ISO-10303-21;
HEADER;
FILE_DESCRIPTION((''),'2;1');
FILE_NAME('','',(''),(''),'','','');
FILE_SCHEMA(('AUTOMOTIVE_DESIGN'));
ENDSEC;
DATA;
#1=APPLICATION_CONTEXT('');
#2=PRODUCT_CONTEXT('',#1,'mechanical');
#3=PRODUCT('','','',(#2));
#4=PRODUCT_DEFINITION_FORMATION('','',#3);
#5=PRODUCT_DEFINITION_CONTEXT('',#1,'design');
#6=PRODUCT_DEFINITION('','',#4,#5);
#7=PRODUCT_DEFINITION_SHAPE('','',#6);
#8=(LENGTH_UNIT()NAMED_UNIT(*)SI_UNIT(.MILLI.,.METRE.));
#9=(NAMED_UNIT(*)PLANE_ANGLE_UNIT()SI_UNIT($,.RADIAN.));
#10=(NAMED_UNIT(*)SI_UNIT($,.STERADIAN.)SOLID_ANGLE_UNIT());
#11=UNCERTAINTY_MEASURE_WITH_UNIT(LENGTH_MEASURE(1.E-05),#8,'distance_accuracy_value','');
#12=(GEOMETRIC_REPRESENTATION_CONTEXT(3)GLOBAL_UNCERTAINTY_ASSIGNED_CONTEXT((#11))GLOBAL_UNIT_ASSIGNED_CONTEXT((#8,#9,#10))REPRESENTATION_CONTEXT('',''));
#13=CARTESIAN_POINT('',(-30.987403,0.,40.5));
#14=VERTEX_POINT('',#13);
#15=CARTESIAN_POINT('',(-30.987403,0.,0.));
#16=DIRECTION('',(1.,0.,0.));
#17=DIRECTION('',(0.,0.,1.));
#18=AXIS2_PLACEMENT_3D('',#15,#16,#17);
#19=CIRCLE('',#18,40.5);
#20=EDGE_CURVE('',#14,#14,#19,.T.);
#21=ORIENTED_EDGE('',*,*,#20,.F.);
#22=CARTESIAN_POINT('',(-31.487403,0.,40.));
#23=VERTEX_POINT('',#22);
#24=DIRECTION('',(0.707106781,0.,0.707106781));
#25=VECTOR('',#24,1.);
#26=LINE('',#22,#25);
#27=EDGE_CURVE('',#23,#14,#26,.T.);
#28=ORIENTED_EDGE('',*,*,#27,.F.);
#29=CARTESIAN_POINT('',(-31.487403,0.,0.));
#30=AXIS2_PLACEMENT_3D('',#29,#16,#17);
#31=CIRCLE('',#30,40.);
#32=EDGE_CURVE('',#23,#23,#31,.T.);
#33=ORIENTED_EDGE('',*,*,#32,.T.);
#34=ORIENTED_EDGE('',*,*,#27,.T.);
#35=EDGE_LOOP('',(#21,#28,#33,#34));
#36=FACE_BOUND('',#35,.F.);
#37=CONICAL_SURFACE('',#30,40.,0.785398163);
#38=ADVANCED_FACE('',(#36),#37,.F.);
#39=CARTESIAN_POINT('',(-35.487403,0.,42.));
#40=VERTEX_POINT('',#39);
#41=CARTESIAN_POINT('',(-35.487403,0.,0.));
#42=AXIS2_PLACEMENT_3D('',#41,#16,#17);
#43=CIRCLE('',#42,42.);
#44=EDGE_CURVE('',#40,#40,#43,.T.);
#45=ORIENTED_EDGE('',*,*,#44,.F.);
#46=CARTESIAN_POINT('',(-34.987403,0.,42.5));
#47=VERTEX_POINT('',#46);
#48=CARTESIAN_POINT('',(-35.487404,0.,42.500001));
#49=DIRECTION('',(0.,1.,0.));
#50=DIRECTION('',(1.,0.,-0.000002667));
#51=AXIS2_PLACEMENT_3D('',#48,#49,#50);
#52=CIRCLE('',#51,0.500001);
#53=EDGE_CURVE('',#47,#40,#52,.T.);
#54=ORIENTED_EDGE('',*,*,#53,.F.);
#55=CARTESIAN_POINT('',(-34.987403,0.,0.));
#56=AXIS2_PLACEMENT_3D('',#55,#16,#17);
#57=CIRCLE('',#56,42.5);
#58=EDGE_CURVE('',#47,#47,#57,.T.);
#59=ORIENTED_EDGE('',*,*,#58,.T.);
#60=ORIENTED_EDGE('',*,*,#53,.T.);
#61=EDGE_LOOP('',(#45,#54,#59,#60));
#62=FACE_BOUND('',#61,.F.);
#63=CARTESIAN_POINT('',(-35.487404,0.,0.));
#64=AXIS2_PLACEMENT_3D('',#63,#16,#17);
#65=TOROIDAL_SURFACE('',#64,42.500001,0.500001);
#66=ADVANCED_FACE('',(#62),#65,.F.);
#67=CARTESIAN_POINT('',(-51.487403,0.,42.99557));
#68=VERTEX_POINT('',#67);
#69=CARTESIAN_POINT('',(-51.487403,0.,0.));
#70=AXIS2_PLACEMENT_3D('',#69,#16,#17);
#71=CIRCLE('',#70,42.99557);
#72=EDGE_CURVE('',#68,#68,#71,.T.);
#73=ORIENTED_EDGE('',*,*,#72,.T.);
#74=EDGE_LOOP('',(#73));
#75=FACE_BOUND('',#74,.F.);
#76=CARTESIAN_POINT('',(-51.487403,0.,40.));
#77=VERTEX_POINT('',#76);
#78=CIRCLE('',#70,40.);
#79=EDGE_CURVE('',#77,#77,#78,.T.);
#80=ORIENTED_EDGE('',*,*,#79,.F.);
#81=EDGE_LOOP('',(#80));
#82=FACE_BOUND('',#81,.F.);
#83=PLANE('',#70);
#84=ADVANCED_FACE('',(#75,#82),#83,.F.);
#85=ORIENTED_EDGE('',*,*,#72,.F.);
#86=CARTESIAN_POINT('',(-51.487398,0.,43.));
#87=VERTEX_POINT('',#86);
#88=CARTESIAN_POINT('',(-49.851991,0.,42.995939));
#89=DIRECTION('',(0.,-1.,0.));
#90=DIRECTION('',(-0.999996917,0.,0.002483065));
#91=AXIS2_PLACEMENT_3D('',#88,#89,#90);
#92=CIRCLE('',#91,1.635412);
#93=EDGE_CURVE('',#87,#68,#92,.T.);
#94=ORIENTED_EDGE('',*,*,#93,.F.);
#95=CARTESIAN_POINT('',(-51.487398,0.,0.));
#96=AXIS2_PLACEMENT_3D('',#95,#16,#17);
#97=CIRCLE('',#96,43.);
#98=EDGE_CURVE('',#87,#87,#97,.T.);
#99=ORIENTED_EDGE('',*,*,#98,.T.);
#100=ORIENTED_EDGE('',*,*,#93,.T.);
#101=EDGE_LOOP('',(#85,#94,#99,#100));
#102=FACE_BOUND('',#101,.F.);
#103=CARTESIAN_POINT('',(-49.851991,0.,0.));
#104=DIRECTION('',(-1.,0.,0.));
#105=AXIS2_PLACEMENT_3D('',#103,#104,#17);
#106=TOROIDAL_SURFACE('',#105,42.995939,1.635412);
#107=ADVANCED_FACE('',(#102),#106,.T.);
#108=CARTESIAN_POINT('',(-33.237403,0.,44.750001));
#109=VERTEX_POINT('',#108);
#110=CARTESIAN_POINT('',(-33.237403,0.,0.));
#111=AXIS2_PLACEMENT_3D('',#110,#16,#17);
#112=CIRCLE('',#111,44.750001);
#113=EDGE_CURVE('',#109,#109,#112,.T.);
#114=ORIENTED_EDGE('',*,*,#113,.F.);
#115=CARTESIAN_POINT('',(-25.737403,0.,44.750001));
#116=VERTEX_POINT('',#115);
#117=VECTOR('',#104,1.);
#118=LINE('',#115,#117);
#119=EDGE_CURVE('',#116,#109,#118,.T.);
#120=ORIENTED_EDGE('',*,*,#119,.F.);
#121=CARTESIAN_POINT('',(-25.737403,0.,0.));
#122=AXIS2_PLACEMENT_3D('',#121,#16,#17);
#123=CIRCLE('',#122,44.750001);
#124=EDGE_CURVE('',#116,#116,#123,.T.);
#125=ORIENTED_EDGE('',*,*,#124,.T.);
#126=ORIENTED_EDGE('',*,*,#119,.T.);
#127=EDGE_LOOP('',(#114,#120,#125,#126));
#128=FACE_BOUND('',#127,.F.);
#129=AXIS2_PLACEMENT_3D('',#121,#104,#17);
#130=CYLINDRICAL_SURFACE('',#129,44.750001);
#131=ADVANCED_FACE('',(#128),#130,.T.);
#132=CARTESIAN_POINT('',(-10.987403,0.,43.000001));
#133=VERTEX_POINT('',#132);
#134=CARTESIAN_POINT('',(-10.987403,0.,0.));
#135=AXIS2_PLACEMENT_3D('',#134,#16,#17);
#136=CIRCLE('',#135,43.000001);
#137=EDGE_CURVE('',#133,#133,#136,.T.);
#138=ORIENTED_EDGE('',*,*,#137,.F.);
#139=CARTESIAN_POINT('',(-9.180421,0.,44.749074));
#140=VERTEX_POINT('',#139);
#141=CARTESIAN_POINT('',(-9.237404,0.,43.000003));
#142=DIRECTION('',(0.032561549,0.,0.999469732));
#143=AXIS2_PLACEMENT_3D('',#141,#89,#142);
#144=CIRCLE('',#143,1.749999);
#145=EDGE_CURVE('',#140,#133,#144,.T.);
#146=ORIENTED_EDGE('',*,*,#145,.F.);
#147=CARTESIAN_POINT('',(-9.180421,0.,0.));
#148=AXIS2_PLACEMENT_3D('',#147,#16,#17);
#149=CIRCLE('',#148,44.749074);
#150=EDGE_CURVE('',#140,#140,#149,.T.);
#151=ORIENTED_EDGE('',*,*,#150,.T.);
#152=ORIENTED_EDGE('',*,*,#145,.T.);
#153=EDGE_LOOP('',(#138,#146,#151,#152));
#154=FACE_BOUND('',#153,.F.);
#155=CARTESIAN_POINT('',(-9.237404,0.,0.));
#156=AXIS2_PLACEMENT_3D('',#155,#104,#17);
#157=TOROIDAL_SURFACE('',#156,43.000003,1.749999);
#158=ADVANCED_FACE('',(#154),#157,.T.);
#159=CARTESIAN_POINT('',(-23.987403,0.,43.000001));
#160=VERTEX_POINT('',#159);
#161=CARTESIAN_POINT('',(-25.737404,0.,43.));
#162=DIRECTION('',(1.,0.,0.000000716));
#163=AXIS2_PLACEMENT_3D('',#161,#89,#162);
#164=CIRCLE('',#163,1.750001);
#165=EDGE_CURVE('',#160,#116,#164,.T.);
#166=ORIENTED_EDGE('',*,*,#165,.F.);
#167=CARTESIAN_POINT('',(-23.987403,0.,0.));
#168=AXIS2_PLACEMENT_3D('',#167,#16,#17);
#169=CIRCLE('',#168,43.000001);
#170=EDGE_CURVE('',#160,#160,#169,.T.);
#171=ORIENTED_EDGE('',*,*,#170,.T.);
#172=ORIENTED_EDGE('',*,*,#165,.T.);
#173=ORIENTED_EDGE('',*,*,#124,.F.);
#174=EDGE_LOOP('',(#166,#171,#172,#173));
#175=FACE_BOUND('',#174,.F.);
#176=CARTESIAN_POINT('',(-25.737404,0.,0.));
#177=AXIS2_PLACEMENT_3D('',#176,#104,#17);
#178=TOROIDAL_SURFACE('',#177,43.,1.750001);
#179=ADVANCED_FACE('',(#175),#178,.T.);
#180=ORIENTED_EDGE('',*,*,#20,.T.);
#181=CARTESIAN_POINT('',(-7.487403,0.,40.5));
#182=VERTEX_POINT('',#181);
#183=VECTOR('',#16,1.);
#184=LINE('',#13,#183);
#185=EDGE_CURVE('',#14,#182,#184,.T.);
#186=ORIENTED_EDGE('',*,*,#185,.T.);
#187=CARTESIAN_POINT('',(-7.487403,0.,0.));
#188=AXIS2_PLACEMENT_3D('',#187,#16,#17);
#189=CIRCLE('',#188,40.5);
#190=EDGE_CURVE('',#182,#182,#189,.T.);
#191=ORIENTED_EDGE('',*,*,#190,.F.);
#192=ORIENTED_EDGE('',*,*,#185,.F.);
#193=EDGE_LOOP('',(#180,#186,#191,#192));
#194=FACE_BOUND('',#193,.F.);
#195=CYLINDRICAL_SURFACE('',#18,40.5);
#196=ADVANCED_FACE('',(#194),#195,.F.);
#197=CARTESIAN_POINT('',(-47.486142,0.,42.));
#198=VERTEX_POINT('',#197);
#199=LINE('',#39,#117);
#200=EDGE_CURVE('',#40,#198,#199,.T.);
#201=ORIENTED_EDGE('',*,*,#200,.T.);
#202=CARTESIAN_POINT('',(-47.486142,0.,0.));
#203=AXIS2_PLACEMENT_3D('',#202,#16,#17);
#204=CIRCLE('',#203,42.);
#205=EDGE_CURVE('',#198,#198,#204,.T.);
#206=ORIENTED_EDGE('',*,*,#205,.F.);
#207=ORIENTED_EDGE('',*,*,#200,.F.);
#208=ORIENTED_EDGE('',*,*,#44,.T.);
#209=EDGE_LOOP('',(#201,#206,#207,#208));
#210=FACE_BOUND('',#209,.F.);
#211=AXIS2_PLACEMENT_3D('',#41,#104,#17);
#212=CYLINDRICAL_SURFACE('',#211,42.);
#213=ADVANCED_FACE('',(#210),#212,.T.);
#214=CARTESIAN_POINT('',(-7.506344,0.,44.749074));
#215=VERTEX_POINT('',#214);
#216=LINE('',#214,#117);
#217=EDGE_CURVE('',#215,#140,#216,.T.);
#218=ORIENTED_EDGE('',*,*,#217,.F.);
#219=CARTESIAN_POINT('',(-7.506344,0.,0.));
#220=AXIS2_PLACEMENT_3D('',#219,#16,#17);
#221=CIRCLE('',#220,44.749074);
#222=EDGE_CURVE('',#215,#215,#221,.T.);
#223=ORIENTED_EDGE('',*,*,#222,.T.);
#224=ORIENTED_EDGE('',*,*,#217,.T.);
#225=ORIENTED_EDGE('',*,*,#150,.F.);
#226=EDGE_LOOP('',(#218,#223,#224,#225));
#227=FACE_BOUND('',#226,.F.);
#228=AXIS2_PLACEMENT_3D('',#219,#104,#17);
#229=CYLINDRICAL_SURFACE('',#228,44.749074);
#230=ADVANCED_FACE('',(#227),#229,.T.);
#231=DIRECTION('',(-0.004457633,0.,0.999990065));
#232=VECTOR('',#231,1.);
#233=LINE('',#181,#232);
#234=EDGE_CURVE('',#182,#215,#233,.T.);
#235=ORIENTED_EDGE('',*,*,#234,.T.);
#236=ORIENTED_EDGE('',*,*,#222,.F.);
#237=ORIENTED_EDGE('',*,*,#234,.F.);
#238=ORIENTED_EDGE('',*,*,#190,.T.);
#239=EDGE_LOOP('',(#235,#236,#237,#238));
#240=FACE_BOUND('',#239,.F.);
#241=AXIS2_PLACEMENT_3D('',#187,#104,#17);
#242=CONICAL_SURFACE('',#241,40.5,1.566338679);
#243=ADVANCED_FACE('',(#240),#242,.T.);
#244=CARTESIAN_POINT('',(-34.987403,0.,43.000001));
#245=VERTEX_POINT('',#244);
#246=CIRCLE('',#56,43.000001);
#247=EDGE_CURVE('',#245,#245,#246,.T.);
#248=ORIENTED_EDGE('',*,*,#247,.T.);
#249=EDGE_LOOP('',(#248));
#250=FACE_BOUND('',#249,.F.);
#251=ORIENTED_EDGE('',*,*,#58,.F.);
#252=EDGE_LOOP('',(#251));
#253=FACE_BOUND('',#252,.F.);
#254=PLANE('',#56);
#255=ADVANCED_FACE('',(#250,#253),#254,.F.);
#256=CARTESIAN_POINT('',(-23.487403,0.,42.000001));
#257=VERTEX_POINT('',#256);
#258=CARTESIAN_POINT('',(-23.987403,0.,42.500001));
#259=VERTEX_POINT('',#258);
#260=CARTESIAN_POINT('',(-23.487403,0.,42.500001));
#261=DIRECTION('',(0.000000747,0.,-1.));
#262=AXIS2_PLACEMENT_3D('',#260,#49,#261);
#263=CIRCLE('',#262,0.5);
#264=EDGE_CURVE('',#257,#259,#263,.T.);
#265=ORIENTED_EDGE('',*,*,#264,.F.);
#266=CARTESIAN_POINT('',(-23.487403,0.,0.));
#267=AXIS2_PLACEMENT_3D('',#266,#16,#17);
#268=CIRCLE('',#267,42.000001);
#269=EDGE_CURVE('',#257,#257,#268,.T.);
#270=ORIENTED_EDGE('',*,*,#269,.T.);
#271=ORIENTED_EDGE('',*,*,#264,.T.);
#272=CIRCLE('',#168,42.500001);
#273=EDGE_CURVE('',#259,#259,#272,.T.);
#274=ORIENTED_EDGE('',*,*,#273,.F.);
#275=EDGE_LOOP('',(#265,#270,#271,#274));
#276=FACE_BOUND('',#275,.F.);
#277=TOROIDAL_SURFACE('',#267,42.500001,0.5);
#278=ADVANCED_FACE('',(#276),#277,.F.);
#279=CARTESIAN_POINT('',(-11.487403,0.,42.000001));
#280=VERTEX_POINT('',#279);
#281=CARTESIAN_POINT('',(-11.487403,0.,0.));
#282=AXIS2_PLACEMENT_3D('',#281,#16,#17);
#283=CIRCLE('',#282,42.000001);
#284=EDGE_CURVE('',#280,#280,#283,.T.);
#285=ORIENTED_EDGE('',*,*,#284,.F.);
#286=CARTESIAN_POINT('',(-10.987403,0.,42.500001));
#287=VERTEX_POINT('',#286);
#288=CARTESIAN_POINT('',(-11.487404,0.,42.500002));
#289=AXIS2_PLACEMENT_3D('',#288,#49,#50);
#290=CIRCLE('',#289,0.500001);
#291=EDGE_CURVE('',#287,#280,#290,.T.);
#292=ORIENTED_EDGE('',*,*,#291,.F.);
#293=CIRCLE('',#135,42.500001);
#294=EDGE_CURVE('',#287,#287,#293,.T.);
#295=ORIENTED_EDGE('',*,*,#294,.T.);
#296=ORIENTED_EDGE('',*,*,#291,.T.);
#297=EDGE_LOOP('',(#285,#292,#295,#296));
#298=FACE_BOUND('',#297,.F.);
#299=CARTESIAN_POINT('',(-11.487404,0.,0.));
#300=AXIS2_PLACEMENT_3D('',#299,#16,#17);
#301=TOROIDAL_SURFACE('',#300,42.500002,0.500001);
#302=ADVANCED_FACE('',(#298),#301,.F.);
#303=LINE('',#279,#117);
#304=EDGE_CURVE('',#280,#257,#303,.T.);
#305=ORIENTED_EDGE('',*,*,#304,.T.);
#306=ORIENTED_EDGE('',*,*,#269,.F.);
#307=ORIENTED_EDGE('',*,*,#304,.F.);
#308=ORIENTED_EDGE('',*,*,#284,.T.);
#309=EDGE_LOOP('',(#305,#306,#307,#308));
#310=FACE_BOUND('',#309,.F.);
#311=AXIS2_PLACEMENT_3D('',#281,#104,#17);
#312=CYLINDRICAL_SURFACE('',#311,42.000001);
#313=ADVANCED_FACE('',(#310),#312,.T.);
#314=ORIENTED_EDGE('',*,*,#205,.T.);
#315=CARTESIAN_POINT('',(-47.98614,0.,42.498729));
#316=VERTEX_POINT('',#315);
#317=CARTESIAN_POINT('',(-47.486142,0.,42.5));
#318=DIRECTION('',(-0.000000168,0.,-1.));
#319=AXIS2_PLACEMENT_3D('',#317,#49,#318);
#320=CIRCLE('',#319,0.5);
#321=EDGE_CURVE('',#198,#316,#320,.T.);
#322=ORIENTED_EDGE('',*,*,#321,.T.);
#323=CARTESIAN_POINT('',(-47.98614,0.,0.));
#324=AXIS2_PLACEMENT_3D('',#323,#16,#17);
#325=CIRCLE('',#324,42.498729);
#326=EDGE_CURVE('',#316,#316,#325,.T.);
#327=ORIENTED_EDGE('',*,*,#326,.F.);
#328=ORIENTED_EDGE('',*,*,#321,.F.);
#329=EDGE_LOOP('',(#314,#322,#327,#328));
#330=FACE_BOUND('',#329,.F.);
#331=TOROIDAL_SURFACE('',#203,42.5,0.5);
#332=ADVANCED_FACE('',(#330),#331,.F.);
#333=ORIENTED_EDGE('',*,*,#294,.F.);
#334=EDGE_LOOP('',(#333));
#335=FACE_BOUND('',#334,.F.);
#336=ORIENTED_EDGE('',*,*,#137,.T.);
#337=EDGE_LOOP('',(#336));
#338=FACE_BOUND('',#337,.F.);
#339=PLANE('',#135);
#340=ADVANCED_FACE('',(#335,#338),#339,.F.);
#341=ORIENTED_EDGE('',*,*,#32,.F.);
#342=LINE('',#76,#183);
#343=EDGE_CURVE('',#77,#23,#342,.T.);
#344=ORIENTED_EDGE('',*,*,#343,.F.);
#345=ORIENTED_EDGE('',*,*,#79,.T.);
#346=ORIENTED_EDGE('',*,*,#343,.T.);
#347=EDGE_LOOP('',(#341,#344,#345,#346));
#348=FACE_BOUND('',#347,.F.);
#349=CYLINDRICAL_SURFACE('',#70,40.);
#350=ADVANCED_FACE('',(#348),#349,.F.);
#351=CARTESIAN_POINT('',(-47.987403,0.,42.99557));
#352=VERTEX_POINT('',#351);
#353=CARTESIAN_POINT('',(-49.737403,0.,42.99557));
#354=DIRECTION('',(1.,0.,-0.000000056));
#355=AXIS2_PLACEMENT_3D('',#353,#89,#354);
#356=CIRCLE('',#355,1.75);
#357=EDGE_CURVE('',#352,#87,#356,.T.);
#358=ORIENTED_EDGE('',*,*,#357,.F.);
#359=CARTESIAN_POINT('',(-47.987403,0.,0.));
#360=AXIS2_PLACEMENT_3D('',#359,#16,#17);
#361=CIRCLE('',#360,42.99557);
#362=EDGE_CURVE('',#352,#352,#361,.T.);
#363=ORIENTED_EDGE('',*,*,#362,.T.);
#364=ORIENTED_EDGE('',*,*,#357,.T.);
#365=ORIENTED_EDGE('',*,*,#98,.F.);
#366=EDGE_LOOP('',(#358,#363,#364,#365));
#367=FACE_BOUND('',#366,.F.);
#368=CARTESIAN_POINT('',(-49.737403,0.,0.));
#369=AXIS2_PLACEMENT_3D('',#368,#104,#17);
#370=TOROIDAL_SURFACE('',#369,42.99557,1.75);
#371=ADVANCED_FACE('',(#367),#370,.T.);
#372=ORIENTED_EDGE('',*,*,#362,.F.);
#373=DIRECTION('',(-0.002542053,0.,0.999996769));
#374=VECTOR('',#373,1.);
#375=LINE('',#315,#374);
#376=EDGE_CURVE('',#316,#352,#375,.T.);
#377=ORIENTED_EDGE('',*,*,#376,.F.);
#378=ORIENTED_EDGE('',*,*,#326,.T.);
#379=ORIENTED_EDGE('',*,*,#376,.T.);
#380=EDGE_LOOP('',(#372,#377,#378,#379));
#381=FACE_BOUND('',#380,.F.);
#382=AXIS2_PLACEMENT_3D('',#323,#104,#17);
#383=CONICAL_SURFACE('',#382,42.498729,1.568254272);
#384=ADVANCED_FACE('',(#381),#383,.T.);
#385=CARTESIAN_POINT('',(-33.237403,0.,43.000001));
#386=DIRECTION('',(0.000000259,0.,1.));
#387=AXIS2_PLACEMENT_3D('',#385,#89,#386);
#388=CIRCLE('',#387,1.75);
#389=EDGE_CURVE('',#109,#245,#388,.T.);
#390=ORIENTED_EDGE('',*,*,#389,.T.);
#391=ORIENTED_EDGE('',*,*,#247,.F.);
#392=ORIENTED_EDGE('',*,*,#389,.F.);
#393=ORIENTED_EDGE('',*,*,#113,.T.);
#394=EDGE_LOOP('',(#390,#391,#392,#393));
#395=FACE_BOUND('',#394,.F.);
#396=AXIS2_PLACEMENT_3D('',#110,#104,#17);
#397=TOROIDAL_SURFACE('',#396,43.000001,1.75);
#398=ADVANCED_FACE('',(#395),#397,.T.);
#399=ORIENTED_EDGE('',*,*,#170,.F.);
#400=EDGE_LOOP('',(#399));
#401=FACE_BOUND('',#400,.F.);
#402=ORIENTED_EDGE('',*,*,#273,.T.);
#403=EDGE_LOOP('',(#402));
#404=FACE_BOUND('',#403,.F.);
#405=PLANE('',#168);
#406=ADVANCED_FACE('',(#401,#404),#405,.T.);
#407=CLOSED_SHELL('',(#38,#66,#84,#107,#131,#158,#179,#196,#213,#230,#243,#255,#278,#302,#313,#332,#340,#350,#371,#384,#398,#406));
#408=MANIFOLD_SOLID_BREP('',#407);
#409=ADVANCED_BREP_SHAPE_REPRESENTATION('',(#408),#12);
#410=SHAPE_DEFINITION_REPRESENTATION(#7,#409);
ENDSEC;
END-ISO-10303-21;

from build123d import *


with BuildPart() as f1:
    # F0 (on Front) → F1 (revolve)
    with BuildSketch(Plane.XZ):
        with BuildLine():
            Line((-51.487403, 40.999997), (-51.487403, 40))
            Line((-51.487403, 40), (-31.487403, 40))
            Line((-31.487403, 40), (-30.987403, 40.5))
            Line((-30.987403, 40.5), (-7.487403, 40.5))
            Line((-7.487403, 40.5), (-7.506344, 44.749074))
            Line((-7.506344, 44.749074), (-9.180421, 44.749074))
            ThreePointArc((-9.180421, 44.749074), (-10.454527, 44.257424), (-10.987403, 43.000001))
            Line((-10.987403, 43.000001), (-10.987403, 42.500001))
            ThreePointArc((-10.987403, 42.500001), (-11.13385, 42.146448), (-11.487403, 42.000001))
            Line((-11.487403, 42.000001), (-23.487403, 42.000001))
            ThreePointArc((-23.487403, 42.000001), (-23.840957, 42.146448), (-23.987403, 42.500001))
            Line((-23.987403, 42.500001), (-23.987403, 43.000001))
            ThreePointArc((-23.987403, 43.000001), (-24.499967, 44.237438), (-25.737403, 44.750001))
            Line((-25.737403, 44.750001), (-33.237403, 44.750001))
            ThreePointArc((-33.237403, 44.750001), (-34.47484, 44.237438), (-34.987403, 43.000001))
            Line((-34.987403, 43.000001), (-34.987403, 42.5))
            ThreePointArc((-34.987403, 42.5), (-35.13385, 42.146447), (-35.487403, 42))
            Line((-35.487403, 42), (-47.486142, 42))
            ThreePointArc((-47.486142, 42), (-47.839245, 42.145997), (-47.98614, 42.498729))
            Line((-47.98614, 42.498729), (-47.987403, 42.99557))
            ThreePointArc((-47.987403, 42.99557), (-49.735189, 44.745569), (-51.487398, 43))
            ThreePointArc((-51.487398, 43), (-51.487402, 42.997785), (-51.487403, 42.99557))
            Line((-51.487403, 42.99557), (-51.487403, 40.999997))
        make_face()
    revolve(axis=Axis((-29.819204, 0, 0), (1, 0, 0)))


solid = f1.part
